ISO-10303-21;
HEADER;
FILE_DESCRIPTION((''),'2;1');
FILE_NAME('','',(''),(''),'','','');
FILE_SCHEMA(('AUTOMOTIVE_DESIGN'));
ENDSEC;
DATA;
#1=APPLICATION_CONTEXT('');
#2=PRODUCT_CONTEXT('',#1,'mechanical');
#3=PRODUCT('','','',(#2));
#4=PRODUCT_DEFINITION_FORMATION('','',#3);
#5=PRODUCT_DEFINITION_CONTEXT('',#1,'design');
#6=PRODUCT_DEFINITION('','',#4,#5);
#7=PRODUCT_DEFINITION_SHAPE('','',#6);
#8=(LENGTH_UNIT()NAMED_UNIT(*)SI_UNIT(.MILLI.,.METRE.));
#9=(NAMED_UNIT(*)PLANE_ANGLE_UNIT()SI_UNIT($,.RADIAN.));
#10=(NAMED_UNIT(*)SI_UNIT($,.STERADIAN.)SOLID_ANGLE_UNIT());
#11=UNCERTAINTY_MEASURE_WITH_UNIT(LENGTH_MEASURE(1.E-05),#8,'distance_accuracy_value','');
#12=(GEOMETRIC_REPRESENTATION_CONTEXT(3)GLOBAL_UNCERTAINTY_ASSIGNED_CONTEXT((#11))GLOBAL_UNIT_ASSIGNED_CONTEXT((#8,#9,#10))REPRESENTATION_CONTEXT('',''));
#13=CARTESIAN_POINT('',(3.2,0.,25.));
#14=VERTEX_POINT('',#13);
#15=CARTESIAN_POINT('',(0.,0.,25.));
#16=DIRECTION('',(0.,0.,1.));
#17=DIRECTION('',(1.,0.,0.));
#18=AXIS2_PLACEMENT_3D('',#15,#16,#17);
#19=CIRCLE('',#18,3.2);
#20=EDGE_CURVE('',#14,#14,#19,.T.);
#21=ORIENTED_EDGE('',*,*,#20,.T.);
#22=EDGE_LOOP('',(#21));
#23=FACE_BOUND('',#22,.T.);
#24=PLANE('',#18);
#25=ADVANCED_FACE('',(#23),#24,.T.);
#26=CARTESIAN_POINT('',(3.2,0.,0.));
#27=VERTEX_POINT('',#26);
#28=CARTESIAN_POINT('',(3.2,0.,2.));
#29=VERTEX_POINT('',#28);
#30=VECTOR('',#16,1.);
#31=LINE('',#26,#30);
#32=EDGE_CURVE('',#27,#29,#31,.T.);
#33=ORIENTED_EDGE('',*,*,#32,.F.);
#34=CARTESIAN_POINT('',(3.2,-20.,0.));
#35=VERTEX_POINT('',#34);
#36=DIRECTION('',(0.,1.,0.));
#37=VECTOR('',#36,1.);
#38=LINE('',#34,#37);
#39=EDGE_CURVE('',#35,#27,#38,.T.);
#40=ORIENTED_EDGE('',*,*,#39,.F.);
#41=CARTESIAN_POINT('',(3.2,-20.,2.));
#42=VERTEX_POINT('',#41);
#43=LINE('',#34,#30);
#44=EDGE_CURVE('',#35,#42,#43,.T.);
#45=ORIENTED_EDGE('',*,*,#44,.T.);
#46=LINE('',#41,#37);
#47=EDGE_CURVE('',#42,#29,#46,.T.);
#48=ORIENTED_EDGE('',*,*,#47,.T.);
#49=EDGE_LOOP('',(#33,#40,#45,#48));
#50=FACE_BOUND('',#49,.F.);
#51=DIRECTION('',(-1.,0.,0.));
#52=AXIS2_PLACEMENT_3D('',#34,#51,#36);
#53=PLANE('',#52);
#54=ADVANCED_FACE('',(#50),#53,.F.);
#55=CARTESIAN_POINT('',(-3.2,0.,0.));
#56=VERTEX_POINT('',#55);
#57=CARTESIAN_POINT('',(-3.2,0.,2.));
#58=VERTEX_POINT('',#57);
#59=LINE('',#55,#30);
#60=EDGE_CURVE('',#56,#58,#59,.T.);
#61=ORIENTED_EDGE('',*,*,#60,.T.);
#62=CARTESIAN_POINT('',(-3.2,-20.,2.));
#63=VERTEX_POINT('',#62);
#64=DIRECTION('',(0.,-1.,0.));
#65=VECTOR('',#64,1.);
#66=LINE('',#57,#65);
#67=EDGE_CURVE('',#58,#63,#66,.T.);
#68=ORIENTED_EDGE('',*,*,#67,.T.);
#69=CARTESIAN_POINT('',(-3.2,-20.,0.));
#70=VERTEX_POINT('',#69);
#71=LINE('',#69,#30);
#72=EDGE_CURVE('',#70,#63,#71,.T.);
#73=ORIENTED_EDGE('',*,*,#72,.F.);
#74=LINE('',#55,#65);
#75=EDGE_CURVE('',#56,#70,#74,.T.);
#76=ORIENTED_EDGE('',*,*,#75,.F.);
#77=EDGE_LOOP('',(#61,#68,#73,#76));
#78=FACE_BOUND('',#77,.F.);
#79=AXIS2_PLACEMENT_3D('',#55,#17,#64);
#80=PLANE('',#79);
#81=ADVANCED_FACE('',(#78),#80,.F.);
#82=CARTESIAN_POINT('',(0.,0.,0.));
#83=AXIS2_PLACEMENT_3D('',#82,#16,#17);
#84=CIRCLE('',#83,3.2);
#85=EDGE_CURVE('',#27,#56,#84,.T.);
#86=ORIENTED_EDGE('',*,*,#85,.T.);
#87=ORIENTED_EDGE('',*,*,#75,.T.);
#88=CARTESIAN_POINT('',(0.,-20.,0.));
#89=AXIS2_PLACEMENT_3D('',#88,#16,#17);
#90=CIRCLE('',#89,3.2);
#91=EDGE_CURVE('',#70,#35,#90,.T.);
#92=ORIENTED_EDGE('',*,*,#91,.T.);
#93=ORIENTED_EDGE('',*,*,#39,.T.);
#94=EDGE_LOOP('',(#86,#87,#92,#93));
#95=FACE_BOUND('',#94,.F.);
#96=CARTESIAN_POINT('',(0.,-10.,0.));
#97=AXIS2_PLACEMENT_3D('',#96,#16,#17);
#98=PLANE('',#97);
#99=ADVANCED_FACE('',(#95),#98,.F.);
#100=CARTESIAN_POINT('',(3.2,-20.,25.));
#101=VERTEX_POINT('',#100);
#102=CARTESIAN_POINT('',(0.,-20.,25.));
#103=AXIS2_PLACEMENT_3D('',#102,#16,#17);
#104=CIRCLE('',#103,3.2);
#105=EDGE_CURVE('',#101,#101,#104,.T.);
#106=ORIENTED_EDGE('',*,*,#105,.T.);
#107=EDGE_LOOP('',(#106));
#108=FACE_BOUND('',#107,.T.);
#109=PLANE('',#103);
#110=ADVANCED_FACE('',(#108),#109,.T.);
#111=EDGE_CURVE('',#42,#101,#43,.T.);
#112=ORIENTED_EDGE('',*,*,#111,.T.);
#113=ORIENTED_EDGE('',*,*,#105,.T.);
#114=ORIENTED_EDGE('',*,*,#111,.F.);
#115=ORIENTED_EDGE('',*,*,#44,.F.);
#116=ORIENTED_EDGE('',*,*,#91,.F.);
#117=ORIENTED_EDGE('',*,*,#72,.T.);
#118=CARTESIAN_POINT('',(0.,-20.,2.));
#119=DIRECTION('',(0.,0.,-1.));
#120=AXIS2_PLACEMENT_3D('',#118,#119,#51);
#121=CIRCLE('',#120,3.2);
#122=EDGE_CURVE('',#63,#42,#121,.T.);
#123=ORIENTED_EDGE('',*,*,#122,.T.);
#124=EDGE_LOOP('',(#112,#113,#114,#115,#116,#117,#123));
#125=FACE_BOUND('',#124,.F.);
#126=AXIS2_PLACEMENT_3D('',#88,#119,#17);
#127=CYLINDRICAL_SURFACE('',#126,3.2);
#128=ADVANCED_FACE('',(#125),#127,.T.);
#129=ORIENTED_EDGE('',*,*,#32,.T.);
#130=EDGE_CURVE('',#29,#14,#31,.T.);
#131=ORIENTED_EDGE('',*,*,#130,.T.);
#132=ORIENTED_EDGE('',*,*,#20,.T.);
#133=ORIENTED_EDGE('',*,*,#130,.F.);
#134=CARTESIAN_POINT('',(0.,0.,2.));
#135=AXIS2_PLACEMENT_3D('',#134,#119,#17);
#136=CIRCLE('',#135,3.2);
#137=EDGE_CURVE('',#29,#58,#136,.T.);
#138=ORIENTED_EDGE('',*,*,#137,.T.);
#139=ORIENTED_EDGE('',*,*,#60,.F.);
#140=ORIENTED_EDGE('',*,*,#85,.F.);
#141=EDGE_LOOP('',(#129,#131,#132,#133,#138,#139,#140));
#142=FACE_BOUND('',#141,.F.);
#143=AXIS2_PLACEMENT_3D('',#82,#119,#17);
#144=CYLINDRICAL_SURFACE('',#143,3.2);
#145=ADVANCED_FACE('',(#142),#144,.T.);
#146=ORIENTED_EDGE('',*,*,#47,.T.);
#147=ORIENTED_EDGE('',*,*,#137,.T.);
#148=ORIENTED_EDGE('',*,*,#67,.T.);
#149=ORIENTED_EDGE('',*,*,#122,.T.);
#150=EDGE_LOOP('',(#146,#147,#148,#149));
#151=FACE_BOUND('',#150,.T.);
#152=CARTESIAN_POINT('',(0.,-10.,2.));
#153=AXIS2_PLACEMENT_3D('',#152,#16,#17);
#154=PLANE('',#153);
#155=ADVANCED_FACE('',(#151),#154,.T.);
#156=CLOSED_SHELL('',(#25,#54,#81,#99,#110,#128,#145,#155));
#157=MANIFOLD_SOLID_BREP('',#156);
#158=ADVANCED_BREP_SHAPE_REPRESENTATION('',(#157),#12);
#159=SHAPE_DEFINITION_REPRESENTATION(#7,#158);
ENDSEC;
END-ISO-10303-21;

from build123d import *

# Parameters (mm, degrees)
F1_DEPTH = 25
F2_DEPTH = 2


with BuildPart() as f1:
    # F0 (on Top) → F1 (new body)
    with BuildSketch(Plane.XY):
        with BuildLine():
            ThreePointArc((-3.2, -20), (0, -23.2), (3.2, -20))
            ThreePointArc((3.2, -20), (0, -16.8), (-3.2, -20))
        make_face()
        with BuildLine():
            ThreePointArc((-3.2, 0), (0, -3.2), (3.2, 0))
            ThreePointArc((3.2, 0), (0, 3.2), (-3.2, 0))
        make_face()
    extrude(amount=F1_DEPTH)

    # F0 (on Top) → F2 (join)
    with BuildSketch(Plane.XY):
        with BuildLine():
            Line((3.2, -20), (3.2, 0))
            ThreePointArc((3.2, 0), (0, -3.2), (-3.2, 0))
            Line((-3.2, 0), (-3.2, -20))
            ThreePointArc((-3.2, -20), (0, -16.8), (3.2, -20))
        make_face()
    extrude(amount=F2_DEPTH)


solid = f1.part
